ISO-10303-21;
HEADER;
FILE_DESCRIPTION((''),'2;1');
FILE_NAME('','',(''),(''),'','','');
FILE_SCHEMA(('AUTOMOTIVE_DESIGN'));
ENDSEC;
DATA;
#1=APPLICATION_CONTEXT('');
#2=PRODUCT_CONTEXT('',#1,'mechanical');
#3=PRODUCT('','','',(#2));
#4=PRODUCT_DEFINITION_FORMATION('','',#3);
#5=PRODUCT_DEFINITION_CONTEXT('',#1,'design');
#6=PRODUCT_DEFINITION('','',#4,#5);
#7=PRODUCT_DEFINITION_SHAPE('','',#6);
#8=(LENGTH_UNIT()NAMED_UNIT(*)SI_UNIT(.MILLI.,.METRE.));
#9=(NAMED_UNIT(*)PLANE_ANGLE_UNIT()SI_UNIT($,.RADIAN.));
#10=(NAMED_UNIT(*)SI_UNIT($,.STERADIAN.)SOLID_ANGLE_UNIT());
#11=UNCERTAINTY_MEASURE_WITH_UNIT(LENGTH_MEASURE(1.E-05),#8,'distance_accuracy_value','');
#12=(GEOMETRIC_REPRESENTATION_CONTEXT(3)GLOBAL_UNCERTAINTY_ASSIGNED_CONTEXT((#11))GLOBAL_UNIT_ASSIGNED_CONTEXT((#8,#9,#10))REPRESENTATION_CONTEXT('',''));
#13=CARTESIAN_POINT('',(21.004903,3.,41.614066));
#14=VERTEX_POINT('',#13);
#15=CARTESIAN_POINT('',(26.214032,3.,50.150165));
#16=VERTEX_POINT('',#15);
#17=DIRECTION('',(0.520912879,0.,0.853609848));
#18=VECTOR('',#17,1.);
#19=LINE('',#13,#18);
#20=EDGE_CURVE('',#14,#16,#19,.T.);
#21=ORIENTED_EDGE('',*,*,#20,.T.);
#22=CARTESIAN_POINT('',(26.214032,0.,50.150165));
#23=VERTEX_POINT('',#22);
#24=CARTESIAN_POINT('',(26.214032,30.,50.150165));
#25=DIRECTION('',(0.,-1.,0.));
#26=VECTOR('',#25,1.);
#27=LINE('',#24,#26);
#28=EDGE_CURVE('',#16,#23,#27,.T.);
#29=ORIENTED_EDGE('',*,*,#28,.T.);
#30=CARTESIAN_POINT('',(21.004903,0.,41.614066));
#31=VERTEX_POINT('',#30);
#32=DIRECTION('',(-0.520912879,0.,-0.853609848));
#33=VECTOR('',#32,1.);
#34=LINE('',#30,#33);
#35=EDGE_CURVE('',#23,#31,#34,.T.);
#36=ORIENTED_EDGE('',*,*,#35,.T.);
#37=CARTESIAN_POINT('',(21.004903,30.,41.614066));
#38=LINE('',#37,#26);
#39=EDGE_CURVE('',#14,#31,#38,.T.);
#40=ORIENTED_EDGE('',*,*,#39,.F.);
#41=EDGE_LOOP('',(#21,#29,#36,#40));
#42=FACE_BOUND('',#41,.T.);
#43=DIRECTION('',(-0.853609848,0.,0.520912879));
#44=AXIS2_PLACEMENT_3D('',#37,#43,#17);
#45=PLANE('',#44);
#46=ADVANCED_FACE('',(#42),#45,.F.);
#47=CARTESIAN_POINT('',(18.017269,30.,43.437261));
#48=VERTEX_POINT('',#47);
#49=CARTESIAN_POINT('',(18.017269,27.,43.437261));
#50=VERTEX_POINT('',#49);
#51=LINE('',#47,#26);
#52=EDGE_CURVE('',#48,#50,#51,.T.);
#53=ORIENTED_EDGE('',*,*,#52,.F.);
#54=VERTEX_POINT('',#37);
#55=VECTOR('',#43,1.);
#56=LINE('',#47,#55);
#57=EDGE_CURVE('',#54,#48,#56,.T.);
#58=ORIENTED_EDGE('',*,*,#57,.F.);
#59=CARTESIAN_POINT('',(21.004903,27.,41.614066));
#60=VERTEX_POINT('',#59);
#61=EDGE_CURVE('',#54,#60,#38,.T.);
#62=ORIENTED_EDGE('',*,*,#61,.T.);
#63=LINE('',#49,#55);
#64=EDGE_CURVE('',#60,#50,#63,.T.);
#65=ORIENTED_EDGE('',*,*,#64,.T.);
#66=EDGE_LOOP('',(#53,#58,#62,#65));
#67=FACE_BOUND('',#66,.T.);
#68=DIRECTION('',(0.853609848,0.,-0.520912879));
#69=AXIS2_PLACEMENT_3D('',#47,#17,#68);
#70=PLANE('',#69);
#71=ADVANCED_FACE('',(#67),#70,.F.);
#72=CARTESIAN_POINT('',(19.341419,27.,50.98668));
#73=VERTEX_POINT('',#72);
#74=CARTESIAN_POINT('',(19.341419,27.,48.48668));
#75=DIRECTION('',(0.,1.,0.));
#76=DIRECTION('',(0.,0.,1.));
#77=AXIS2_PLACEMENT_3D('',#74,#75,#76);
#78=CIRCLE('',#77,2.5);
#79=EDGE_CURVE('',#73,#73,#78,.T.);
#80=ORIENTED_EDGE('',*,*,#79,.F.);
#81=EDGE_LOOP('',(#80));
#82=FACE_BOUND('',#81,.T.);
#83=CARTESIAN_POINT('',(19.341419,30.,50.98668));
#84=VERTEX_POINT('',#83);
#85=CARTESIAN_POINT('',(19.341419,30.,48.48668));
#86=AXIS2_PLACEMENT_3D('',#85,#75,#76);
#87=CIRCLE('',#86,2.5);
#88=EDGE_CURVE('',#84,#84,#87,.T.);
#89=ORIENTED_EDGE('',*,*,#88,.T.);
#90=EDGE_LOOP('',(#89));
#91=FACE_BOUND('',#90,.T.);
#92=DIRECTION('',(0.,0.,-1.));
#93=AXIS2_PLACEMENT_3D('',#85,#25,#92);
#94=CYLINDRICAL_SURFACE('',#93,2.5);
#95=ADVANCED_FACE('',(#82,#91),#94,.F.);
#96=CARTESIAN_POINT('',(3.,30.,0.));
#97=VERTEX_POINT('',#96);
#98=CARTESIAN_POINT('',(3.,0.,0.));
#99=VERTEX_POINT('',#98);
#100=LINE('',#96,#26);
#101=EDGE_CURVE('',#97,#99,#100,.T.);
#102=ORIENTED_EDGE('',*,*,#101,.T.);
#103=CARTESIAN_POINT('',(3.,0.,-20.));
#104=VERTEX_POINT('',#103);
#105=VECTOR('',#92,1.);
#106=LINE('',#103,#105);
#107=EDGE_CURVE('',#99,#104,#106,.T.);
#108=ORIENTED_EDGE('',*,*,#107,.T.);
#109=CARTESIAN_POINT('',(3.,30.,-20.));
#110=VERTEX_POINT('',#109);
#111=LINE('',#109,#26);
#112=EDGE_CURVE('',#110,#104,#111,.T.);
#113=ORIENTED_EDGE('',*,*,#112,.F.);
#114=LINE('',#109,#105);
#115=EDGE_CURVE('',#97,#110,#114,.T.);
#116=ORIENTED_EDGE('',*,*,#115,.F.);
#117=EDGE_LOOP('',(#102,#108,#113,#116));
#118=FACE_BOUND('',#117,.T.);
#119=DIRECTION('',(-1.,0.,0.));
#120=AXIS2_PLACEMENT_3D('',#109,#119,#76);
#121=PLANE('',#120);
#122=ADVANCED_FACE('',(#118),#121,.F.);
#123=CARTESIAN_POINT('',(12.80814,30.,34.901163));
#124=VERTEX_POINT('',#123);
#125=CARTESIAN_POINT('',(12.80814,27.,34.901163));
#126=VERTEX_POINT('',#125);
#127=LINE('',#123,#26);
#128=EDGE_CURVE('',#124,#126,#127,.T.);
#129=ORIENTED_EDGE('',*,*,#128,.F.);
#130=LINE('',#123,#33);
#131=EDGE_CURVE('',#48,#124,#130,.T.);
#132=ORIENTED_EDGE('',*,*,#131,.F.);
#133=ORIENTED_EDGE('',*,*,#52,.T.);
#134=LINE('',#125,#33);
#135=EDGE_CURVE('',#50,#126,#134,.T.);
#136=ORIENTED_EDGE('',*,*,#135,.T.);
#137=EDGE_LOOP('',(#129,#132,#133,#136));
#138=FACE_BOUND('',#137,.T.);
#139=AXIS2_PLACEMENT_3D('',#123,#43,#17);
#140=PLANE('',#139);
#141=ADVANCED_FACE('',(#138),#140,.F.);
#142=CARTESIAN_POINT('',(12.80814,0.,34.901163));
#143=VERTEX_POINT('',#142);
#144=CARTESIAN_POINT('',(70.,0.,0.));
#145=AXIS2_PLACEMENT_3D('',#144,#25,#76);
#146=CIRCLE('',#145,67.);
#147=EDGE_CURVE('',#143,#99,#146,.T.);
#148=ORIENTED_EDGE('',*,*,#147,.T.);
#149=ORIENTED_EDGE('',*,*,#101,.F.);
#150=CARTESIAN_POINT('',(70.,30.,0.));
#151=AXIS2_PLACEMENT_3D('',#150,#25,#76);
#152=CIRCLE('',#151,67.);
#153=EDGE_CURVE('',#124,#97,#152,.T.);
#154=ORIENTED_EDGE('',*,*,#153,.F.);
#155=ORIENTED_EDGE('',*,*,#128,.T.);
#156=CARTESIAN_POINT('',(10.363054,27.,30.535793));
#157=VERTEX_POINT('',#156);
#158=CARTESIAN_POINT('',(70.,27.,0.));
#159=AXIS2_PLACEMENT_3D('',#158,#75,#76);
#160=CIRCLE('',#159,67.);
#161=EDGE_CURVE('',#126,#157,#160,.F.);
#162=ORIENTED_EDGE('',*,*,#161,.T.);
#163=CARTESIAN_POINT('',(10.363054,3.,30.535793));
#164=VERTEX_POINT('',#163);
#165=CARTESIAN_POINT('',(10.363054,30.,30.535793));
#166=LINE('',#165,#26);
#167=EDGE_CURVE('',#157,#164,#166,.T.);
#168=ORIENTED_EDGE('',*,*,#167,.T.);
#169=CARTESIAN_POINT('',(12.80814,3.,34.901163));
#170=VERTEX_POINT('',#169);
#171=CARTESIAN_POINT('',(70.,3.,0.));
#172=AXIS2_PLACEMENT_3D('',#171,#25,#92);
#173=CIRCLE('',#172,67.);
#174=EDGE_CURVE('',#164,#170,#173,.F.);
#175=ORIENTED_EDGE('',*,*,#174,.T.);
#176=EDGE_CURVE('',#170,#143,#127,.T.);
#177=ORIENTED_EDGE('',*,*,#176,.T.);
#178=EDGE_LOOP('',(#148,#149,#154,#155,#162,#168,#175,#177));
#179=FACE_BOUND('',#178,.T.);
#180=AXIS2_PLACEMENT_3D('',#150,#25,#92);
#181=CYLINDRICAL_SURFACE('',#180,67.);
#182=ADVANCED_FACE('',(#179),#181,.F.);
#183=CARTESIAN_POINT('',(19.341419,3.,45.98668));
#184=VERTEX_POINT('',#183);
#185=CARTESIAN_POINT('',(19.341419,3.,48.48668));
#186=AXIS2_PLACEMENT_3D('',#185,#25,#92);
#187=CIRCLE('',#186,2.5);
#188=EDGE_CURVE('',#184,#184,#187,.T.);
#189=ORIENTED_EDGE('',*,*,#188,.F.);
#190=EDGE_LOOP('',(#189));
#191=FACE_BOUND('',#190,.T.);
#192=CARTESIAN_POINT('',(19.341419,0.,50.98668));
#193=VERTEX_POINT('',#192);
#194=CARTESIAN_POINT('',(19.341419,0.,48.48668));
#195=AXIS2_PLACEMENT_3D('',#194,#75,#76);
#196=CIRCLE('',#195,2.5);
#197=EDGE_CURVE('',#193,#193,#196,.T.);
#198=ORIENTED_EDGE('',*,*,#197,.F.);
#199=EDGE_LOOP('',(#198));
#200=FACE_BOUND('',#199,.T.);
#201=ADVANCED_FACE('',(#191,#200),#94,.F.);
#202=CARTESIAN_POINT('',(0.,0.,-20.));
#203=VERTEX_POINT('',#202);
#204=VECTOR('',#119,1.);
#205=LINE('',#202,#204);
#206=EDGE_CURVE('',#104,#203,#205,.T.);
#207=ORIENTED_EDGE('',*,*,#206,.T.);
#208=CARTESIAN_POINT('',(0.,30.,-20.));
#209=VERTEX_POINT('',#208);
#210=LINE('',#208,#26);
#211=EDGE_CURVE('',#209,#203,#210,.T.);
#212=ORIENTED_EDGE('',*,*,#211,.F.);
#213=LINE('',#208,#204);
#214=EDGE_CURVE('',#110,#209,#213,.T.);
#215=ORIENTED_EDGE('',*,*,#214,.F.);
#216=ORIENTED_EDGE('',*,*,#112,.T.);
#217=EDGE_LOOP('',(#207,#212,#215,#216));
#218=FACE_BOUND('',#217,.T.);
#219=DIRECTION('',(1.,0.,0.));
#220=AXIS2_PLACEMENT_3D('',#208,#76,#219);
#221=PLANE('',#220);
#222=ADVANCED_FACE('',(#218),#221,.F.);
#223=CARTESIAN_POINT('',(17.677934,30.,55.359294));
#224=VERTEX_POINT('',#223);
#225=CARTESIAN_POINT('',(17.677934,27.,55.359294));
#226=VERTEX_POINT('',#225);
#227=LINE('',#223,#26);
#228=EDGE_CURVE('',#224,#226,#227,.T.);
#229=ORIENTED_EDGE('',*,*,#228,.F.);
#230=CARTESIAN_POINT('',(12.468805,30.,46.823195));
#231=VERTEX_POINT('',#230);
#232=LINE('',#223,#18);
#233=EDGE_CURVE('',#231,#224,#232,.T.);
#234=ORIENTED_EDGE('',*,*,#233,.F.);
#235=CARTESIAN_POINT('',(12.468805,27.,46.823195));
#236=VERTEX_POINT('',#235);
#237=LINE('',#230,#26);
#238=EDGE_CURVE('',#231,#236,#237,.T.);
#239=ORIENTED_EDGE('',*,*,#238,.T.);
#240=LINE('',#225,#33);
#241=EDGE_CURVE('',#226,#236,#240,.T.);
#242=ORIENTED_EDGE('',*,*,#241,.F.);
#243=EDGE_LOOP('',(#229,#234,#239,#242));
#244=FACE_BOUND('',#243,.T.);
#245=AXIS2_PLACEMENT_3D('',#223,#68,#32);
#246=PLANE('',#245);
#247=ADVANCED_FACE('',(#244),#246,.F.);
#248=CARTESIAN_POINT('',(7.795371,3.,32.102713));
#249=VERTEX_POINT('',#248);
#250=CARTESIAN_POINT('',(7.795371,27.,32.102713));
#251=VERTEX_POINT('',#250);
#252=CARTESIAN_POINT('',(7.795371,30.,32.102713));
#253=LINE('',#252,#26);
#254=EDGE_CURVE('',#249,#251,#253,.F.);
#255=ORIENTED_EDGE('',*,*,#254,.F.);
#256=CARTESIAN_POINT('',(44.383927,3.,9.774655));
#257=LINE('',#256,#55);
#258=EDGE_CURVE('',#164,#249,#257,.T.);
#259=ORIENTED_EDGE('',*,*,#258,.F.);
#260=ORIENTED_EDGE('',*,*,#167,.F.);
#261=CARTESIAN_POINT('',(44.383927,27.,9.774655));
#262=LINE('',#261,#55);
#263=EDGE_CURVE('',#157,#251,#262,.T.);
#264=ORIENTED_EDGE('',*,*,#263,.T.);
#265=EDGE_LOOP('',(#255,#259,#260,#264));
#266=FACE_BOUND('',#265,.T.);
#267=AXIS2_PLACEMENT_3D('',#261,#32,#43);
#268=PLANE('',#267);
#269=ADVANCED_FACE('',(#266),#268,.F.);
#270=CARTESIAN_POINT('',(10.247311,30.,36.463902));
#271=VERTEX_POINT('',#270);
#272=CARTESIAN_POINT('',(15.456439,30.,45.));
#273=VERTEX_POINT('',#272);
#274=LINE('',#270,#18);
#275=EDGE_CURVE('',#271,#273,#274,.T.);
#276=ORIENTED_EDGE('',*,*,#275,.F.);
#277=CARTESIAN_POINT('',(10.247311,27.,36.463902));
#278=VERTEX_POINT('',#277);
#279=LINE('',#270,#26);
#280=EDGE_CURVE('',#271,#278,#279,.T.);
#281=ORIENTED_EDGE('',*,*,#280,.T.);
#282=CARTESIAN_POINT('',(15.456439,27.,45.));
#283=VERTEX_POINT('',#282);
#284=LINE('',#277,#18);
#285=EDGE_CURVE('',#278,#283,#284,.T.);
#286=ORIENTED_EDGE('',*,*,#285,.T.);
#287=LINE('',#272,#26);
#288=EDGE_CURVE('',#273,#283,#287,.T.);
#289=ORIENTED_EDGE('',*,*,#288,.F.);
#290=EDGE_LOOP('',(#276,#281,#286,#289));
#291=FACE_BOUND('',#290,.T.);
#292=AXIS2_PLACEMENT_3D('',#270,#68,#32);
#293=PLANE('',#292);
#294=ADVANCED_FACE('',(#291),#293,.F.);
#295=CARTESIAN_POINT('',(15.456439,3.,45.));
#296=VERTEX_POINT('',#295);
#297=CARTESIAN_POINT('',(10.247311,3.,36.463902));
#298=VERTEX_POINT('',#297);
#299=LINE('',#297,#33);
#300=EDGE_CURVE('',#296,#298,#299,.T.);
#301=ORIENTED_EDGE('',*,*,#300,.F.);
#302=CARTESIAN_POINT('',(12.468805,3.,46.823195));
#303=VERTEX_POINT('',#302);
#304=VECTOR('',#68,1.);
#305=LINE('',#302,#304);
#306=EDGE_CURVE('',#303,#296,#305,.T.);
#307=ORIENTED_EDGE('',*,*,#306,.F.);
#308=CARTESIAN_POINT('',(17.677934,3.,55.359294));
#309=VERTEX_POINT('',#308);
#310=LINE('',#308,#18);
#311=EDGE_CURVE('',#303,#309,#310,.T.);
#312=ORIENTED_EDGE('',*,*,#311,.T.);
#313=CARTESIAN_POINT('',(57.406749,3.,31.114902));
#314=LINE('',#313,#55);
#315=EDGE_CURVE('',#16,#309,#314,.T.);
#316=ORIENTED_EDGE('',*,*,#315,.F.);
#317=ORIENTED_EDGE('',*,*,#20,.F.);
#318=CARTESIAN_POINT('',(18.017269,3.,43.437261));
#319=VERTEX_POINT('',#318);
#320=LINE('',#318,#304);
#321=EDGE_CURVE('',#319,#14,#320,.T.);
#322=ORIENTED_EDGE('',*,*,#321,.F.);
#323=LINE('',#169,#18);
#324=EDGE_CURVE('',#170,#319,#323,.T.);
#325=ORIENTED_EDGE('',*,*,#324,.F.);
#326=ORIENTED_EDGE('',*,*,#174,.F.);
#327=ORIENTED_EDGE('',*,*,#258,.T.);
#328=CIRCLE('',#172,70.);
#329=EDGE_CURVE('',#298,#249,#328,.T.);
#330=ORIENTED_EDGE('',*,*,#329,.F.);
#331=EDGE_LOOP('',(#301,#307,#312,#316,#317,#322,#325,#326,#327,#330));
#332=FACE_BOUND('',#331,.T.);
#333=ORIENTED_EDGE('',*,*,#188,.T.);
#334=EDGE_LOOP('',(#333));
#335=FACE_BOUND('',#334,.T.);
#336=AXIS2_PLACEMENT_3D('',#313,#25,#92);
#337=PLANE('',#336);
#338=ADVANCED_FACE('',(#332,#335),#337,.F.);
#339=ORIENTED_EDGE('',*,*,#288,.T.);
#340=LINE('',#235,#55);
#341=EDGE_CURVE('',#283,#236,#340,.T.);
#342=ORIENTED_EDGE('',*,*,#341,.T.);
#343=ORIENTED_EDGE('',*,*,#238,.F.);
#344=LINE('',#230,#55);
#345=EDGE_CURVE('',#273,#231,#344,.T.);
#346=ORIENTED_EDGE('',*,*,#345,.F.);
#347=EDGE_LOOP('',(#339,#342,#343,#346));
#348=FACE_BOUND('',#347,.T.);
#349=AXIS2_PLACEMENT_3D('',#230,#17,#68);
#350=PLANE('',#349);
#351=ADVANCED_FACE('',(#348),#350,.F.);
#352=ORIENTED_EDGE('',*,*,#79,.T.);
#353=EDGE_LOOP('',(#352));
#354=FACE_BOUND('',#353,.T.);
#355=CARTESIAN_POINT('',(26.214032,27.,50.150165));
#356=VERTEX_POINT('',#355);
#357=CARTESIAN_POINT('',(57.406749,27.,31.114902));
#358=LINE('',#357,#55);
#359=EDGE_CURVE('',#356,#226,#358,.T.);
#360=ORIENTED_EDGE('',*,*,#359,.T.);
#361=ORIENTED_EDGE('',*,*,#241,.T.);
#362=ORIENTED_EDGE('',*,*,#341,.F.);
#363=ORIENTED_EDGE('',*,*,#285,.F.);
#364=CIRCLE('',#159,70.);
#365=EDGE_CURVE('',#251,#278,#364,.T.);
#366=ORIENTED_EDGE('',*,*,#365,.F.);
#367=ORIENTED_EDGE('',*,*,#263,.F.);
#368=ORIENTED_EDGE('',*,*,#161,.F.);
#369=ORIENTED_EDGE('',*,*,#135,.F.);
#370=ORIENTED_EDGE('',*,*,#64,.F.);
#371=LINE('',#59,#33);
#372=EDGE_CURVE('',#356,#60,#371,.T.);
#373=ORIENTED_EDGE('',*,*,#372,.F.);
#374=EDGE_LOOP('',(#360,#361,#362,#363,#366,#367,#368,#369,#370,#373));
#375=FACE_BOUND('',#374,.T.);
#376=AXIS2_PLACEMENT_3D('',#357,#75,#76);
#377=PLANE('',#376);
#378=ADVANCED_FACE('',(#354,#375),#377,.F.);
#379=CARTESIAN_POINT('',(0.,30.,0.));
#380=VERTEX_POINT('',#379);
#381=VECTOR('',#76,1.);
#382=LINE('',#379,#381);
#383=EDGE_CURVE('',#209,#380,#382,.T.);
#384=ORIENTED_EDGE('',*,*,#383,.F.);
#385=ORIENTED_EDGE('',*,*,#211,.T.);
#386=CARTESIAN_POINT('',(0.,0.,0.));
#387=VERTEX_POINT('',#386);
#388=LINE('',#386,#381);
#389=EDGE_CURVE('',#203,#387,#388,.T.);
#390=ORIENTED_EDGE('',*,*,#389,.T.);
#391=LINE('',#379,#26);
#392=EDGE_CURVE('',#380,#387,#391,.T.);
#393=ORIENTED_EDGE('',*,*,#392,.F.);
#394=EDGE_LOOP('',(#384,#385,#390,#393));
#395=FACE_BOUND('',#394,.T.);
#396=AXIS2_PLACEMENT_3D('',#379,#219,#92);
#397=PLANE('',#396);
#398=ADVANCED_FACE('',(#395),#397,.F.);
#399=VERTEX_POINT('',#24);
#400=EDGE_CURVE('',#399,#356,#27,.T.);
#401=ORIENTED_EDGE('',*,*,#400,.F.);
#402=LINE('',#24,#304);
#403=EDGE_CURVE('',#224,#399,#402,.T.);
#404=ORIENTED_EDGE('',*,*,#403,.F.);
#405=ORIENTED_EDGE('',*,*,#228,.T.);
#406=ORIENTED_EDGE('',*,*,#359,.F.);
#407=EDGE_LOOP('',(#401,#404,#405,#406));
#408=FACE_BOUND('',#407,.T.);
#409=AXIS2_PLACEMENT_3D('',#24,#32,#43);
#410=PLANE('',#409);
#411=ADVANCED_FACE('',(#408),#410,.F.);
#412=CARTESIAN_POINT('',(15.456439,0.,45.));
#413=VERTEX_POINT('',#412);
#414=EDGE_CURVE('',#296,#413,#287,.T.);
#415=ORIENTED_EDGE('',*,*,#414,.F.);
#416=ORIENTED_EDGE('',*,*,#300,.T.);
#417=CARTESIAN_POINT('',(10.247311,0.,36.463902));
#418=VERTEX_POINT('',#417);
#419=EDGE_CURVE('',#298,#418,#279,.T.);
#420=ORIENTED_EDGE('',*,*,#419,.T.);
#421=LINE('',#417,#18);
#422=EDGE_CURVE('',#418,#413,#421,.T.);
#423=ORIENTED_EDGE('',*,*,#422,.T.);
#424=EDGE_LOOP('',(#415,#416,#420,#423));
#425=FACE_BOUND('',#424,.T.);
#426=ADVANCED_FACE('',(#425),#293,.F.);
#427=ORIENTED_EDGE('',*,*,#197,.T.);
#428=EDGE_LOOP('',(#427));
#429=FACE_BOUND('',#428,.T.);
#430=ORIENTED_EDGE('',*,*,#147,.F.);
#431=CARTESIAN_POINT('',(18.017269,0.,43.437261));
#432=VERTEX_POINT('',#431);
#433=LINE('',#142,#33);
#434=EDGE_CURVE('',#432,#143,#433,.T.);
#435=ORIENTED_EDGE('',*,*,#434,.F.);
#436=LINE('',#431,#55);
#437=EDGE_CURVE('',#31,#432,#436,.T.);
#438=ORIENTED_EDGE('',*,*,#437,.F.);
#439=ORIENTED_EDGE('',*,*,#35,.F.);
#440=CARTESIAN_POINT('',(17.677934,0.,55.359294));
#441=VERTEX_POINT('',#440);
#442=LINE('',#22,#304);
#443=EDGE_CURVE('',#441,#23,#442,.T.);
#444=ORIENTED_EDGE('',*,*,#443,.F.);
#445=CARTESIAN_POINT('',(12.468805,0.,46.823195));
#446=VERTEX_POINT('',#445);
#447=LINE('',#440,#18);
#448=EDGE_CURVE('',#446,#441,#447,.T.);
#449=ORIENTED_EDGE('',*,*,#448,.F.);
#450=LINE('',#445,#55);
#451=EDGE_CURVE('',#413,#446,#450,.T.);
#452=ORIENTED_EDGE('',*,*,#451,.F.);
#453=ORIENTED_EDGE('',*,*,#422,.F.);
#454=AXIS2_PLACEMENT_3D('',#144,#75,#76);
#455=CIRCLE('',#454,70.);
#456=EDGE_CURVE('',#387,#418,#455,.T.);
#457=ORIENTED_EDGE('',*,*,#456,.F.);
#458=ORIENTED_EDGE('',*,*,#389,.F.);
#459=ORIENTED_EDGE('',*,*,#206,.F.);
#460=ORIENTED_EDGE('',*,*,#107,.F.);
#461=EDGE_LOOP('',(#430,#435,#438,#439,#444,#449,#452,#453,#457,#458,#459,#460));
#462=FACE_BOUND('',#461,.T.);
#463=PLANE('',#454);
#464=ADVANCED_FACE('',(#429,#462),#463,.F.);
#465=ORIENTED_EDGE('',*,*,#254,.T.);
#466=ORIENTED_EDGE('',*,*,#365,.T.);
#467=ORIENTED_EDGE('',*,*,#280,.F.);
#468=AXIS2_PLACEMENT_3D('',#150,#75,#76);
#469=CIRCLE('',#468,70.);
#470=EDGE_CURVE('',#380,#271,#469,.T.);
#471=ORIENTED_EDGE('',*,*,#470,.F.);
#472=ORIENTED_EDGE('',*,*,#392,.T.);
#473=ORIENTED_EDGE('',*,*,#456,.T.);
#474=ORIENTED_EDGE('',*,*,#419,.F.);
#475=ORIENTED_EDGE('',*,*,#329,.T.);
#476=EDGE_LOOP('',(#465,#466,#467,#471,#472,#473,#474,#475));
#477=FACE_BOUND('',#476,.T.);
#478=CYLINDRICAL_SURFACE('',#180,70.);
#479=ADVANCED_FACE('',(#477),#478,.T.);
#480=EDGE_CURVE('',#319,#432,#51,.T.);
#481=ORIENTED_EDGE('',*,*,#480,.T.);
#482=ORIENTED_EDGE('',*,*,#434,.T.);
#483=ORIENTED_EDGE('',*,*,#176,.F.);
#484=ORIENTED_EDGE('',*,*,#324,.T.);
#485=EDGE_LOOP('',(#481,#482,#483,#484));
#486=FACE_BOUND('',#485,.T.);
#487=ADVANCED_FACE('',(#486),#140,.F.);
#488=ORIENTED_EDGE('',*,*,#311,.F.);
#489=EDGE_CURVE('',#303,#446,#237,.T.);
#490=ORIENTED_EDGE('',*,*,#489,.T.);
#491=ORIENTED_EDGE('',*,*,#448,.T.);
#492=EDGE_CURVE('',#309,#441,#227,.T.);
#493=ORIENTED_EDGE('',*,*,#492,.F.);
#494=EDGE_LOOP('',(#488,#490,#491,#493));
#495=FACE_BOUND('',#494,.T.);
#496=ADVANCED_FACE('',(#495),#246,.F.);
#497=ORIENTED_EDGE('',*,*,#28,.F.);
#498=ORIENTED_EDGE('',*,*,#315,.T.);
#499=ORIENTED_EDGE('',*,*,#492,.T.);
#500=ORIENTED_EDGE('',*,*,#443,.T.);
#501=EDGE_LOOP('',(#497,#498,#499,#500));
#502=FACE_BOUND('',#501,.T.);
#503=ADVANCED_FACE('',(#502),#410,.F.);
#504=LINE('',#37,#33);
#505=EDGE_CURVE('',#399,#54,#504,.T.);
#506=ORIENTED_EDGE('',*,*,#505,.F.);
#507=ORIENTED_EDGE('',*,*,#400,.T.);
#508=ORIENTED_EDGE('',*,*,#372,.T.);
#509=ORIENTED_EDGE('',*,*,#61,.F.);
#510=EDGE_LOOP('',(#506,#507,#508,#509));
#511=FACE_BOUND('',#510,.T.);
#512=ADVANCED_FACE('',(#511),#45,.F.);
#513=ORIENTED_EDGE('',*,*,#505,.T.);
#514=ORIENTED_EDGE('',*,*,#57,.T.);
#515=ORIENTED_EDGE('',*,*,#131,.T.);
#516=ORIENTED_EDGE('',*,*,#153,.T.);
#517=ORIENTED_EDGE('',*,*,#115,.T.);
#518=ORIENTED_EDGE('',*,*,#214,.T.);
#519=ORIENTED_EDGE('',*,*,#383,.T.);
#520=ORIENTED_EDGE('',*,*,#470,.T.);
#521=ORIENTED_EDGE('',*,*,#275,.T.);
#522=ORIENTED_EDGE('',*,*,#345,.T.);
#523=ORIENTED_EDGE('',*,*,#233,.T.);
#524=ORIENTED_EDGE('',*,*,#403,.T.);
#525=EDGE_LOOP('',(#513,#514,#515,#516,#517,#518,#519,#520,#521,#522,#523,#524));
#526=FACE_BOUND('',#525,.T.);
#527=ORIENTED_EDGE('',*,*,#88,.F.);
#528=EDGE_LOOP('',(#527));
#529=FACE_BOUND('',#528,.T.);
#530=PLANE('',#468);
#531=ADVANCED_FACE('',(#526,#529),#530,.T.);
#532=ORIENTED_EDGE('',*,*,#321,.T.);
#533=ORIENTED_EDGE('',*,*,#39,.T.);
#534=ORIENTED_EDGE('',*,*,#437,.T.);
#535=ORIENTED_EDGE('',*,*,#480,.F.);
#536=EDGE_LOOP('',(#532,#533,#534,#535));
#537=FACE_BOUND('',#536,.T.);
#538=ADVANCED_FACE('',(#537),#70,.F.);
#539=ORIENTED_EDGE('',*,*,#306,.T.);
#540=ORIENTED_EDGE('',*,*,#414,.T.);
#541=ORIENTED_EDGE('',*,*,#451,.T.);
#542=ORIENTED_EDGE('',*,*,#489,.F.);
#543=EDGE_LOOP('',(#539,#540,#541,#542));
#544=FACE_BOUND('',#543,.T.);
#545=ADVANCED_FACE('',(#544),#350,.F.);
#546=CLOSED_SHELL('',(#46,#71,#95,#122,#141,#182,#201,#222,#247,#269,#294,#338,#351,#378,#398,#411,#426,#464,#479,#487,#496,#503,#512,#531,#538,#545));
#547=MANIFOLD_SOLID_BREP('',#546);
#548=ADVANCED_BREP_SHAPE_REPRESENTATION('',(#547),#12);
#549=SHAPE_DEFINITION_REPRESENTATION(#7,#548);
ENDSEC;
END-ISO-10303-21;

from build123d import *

# Parameters (mm, degrees)
ESQUISSE1_R      = 2.5
EXTRUSION1_DEPTH = 30
ESQUISSE3_W      = 25
ESQUISSE3_H      = 24
EXTRUSION2_DEPTH = 47.542124281


with BuildPart() as part:
    # Esquisse1 → Extrusion1 (new body)
    with BuildSketch(Plane(origin=(0, 0, 0), x_dir=(1, 0, 0), z_dir=(0, 1, 0))):
        with BuildLine():
            Line((0, 0), (0, 20))
            Line((0, 20), (3, 20))
            Line((3, 20), (3, 0))
            ThreePointArc((3, 0), (5.498625566, -18.126574307), (12.808140182, -34.901162883))
            Line((12.808140182, -34.901162883), (18.017268971, -43.437261363))
            Line((18.017268971, -43.437261363), (21.004903439, -41.614066287))
            Line((21.004903439, -41.614066287), (26.214032228, -50.150164768))
            Line((26.214032228, -50.150164768), (17.677933747, -55.359293556))
            Line((17.677933747, -55.359293556), (12.468804959, -46.823195076))
            Line((12.468804959, -46.823195076), (15.456439427, -45))
            Line((15.456439427, -45), (10.247310638, -36.46390152))
            ThreePointArc((10.247310638, -36.46390152), (2.610504323, -18.938211963), (0, 0))
        make_face()
        with Locations((19.341418593, -48.486679922)):
            Circle(ESQUISSE1_R, mode=Mode.SUBTRACT)
    extrude(amount=EXTRUSION1_DEPTH)

    # Esquisse3 → Extrusion2 (cut, through all)
    with BuildSketch(Plane(origin=(-11.734839745, 0, 7.161151161), x_dir=(0.520912879, 0, 0.853609848), z_dir=(-0.853609848, 0, 0.520912879))):
        with Locations((43.96390152, 15)):
            Rectangle(ESQUISSE3_W, ESQUISSE3_H)
    extrude(amount=-EXTRUSION2_DEPTH, mode=Mode.SUBTRACT)


solid = part.part
